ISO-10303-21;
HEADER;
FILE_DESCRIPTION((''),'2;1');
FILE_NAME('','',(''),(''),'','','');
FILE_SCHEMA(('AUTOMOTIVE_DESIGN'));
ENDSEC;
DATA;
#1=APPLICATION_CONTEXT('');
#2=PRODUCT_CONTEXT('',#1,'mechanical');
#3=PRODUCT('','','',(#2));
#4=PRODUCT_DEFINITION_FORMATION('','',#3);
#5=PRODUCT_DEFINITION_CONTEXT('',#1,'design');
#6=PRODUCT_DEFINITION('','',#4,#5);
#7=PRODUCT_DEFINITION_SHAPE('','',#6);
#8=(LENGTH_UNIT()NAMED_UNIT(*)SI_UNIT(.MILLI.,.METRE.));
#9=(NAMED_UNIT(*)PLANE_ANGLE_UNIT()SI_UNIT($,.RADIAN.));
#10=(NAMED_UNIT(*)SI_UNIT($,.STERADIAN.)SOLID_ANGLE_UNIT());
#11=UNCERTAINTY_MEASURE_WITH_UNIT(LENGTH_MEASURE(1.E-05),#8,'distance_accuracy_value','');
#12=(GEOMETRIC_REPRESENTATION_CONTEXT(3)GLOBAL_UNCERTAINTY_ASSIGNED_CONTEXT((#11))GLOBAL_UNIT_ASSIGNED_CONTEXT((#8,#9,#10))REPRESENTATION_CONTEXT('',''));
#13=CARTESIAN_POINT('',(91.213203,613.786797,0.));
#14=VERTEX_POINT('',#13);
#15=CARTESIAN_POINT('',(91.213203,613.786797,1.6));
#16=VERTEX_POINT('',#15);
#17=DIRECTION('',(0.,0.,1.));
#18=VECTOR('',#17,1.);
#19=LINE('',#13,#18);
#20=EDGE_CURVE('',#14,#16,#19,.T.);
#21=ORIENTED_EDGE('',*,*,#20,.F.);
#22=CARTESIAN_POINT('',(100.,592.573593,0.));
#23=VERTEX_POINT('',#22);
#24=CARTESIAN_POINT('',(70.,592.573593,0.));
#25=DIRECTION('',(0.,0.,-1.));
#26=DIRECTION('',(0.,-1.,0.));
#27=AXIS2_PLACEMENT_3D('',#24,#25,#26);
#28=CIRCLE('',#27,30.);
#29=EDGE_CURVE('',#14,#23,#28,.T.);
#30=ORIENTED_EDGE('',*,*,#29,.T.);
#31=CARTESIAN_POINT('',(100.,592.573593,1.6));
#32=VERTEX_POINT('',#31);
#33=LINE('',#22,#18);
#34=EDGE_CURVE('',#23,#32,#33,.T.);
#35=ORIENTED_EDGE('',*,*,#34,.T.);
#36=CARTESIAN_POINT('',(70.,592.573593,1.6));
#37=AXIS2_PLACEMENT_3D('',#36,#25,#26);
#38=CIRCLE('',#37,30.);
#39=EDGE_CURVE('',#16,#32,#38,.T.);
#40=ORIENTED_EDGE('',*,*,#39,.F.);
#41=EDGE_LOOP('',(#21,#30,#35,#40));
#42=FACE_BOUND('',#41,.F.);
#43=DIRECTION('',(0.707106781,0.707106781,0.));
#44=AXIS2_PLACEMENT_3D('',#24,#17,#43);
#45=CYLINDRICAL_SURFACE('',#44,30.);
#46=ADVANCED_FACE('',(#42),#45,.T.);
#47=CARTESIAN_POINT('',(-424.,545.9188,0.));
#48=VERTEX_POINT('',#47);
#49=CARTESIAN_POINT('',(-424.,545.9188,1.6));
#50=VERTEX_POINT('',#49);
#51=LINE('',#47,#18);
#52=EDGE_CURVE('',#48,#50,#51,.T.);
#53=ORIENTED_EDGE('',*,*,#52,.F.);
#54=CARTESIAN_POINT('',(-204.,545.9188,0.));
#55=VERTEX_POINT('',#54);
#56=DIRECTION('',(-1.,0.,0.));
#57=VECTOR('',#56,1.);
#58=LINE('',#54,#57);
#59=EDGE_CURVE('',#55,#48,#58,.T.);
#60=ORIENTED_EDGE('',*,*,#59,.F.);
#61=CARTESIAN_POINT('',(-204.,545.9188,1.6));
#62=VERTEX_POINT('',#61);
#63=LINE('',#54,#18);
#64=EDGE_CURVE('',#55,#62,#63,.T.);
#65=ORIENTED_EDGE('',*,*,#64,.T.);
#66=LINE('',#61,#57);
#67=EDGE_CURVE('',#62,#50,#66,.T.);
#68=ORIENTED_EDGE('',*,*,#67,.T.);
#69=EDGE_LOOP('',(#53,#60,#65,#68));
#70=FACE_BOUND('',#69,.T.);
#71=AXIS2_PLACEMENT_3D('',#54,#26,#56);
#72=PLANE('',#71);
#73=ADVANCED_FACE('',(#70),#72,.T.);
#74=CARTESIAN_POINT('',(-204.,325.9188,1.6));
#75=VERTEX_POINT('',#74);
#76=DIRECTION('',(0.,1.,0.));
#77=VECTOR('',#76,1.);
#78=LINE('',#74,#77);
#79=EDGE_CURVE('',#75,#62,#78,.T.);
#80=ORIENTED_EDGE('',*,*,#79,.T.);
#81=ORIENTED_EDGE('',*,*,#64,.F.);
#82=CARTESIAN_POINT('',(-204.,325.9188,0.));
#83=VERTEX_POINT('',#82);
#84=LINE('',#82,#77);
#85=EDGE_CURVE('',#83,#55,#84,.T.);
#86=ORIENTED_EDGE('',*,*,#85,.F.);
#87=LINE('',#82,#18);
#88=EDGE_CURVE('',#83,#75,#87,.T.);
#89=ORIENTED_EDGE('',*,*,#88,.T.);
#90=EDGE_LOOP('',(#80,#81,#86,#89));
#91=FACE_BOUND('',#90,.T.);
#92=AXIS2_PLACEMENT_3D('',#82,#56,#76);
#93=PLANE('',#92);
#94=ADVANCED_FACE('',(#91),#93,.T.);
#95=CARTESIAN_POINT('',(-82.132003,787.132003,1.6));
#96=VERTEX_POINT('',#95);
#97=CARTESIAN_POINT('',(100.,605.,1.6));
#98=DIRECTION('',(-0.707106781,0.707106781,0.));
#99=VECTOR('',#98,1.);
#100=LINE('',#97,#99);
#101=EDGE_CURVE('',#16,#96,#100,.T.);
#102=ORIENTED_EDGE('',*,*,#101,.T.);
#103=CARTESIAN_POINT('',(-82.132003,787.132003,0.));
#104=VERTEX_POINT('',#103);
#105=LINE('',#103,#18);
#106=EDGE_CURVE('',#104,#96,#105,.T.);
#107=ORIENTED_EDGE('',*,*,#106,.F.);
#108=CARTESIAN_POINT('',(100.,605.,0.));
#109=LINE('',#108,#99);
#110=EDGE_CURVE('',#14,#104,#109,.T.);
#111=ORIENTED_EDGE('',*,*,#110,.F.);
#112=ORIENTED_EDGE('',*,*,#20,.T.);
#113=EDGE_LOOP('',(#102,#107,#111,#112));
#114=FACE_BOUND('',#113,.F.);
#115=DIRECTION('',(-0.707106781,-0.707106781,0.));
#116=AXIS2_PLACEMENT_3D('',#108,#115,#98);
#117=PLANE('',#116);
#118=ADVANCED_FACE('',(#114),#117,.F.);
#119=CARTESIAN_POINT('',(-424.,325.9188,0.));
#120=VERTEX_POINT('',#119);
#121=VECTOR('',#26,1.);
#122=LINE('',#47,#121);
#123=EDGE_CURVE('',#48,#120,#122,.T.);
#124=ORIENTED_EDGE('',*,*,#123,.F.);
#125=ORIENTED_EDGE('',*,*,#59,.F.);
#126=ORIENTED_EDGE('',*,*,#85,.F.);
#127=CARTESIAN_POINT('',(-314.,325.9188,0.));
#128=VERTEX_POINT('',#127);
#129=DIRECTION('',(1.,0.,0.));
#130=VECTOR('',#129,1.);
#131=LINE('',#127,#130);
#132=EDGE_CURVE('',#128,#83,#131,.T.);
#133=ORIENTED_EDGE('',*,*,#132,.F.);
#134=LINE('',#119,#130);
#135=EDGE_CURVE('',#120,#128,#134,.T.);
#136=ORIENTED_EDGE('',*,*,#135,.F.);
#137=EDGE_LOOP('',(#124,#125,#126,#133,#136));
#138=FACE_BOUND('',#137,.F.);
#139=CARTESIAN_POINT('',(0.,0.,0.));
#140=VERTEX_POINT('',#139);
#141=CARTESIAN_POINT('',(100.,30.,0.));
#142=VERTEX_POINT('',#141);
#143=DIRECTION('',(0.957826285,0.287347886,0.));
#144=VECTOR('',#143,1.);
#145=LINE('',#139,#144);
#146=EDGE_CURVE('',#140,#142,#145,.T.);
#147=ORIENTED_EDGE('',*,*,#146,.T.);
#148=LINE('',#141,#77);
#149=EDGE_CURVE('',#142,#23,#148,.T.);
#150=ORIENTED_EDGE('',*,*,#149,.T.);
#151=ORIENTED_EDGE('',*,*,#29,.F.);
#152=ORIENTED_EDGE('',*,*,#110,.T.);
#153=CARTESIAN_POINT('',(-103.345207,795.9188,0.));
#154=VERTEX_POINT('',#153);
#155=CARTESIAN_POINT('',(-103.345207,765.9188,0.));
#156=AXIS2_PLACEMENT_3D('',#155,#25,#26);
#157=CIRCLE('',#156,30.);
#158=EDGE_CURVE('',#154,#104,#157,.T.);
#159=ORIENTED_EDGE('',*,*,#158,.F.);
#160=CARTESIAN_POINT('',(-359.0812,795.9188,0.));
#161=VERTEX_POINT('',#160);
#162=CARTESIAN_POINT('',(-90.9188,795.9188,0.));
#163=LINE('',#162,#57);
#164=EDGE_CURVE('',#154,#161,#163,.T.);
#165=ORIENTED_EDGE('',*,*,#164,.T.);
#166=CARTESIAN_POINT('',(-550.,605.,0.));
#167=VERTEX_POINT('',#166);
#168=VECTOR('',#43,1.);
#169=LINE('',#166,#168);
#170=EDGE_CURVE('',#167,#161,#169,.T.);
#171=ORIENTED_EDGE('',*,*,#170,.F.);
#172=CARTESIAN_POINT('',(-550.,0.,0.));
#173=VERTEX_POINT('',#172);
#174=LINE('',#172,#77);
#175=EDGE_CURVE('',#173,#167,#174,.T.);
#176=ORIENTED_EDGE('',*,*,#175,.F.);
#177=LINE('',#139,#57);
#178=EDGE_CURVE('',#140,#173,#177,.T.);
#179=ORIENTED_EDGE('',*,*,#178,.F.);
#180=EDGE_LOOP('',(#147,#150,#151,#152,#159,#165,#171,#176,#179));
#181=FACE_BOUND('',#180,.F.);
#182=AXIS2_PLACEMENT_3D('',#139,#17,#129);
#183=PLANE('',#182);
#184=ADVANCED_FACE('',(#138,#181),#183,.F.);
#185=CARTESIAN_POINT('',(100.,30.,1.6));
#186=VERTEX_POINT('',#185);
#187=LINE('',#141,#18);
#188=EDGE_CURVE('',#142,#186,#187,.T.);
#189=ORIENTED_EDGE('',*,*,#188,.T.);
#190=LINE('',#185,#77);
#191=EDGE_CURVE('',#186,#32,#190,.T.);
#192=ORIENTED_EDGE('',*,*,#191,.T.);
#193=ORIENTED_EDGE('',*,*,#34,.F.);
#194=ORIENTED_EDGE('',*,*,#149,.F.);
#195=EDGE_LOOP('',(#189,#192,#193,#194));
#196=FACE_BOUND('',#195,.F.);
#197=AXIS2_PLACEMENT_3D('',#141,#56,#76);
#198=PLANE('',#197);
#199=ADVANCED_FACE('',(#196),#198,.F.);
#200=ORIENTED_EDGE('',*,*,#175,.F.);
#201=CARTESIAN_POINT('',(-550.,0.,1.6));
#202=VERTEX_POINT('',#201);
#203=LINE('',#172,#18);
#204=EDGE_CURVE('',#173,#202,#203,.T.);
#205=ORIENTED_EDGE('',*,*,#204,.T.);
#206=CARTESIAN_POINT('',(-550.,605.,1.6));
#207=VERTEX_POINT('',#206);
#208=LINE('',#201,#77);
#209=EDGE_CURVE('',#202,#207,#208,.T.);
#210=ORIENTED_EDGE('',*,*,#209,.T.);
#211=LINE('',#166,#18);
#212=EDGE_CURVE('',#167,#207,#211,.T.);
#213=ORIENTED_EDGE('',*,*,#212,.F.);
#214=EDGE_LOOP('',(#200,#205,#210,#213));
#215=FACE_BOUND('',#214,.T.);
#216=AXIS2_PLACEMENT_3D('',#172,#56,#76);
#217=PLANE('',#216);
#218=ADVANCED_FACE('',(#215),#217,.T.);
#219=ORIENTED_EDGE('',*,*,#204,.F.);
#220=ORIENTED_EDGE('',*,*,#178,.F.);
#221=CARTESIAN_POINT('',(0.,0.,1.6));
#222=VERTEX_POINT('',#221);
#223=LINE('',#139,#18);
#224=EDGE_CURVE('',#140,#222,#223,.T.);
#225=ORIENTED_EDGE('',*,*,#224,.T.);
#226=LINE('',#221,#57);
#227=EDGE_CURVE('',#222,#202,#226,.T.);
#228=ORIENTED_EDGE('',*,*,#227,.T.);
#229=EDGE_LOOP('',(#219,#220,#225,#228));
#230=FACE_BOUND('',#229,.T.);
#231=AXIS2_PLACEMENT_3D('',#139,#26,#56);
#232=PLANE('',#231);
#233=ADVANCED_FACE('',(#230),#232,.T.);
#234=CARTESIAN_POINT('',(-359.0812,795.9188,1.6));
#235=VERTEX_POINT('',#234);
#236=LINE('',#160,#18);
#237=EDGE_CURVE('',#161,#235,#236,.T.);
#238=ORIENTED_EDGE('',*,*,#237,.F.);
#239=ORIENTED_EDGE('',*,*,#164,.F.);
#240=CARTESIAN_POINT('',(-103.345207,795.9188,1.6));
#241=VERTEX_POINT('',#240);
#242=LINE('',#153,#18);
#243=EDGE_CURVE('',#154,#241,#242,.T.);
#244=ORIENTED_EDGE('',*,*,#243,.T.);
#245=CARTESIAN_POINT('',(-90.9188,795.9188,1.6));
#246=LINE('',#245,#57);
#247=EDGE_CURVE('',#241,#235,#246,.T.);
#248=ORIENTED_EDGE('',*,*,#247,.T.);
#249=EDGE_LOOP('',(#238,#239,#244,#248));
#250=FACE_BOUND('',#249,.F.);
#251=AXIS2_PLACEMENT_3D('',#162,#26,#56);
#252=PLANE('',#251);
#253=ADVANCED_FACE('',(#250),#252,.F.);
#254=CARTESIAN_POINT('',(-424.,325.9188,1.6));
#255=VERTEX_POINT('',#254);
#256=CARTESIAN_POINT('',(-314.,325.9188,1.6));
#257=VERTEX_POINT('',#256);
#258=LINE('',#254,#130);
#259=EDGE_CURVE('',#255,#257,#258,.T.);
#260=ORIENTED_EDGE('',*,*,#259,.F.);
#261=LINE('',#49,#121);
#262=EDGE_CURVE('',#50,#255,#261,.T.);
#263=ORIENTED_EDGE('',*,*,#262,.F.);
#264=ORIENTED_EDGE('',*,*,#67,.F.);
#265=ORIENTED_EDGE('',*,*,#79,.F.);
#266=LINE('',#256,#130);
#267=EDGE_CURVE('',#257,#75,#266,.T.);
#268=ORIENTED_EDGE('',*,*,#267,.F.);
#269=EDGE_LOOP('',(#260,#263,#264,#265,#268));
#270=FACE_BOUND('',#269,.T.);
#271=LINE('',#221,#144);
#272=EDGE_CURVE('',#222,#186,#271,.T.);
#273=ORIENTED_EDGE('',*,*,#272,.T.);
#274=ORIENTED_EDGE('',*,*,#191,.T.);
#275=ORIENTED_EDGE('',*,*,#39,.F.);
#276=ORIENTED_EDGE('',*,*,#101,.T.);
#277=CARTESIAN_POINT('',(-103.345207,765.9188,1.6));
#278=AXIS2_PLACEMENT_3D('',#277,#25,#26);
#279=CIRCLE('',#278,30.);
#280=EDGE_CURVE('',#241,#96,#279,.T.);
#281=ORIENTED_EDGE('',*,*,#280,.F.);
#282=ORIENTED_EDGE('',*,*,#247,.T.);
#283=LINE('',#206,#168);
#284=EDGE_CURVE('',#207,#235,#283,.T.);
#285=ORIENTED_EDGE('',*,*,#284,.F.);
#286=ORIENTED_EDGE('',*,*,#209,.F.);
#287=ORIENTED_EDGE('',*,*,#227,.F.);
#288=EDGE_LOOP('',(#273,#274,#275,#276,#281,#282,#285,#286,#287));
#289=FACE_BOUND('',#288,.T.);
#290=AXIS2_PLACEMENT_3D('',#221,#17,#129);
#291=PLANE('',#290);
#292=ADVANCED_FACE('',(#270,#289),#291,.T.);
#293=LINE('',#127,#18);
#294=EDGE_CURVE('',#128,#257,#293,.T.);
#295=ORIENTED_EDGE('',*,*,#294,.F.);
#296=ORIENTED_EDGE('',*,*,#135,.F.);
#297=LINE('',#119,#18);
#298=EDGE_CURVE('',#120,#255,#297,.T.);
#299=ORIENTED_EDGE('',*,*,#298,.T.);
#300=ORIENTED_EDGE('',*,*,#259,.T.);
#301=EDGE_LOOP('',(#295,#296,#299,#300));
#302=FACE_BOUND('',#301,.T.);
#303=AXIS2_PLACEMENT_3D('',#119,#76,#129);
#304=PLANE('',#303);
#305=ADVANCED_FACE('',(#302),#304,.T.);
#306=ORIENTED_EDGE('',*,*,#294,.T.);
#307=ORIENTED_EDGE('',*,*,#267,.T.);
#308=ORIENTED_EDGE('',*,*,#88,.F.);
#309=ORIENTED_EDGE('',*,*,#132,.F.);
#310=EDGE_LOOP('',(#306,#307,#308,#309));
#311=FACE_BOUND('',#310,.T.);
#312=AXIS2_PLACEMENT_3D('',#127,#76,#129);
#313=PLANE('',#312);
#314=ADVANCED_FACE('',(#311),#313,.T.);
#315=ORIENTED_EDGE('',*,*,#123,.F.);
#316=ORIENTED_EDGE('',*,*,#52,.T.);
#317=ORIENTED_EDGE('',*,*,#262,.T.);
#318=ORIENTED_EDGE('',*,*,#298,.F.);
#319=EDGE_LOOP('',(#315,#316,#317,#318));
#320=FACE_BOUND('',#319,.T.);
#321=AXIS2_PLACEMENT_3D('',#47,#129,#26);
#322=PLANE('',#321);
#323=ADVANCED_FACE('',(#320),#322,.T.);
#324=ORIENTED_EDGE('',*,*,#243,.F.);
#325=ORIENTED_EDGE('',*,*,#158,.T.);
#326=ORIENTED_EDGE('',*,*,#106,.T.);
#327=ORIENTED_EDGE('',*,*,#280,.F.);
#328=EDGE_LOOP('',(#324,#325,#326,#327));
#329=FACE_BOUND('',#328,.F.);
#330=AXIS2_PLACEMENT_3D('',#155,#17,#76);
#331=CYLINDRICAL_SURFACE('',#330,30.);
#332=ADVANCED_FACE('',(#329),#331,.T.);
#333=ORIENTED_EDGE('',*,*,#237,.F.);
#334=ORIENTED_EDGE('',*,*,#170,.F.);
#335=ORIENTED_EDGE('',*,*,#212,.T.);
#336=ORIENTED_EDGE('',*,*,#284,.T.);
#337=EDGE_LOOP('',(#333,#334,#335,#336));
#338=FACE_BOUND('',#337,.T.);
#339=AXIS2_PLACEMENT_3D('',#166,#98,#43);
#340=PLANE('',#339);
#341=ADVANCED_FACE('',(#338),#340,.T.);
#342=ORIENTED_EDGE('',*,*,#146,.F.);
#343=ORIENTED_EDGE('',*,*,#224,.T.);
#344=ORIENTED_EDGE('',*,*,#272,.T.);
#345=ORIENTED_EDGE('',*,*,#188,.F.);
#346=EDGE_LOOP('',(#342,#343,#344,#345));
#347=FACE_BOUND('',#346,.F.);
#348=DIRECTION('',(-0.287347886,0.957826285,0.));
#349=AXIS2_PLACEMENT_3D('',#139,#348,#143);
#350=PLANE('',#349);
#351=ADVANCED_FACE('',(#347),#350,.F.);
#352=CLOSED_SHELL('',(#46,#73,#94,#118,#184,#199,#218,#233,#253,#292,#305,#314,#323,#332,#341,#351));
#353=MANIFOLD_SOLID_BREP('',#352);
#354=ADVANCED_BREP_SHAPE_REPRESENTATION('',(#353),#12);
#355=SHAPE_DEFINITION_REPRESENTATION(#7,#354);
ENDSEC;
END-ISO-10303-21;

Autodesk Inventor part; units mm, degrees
ref_plane "YZ Plane" through (0, 0, 0) normal (1, 0, 0) x (0, 1, 0)
ref_plane "XZ Plane" through (0, 0, 0) normal (0, 1, 0) x (-1, 0, 0)
ref_plane "XY Plane" through (0, 0, 0) normal (0, 0, 1) x (1, 0, 0)
sketch "Sketch1" plane through (0, 0, 0) normal (0, 0, 1) x (1, 0, 0)
  line L0 (-314, 325.9188) -> (-204, 325.9188)
  line L1 (-204, 325.9188) -> (-204, 545.9188)
  line L2 (-204, 545.9188) -> (-424, 545.9188)
  line L3 (-424, 545.9188) -> (-424, 325.9188)
  line L4 (-424, 325.9188) -> (-314, 325.9188)
  line L5 (0, 0) -> (100, 30)
  line L6 (0, 0) -> (272.914, 0) construction
  line L7 (100, 30) -> (100, 605)
  line L8 (0, 0) -> (-550, 0)
  line L9 (-550, 0) -> (-550, 605)
  line L10 (100, 605) -> (-90.9188, 795.9188)
  line L11 (100, 605) -> (370, 605) construction
  line L12 (-90.9188, 795.9188) -> (-359.0812, 795.9188)
  line L13 (-550, 605) -> (-359.0812, 795.9188)
  line L14 (-550, 605) -> (-280, 605) construction
  dimension "d10" = 110
  dimension "d11" = 220
  dimension "d12" = 220
  dimension "d21" = 100
  dimension "d24" = 550
  dimension "d25" = 126
  dimension "d29" = 30
  dimension "d30" = 270
  dimension "d31" = 135
  dimension "d32" = 270
  dimension "d33" = 45
  dimension "d34" = 605
  dimension "d35" = 250
extrude "Extrusion1" add sketch "Sketch1" along normal blind 1.6
fillet "Fillet2" radius 30 2 edges at (100, 605, 0.8) (-90.9188, 795.9188, 0.8)
equation "\"BendRadius\" = Thickness"
equation "\"BendReliefWidth\" = Thickness"
equation "\"BendReliefDepth\" = 0.5 * Thickness"
equation "\"CornerReliefSize\" = 4 * Thickness"
equation "\"MinimumRemnant\" = 2 * Thickness"
equation "\"TransitionRadius\" = BendRadius"
equation "\"JacobiRadiusSize\" = Thickness"
equation "\"GapSize\" = Thickness"
equation "\"Thickness\" = 0.5"
properties part number "side plate" material "Steel"
